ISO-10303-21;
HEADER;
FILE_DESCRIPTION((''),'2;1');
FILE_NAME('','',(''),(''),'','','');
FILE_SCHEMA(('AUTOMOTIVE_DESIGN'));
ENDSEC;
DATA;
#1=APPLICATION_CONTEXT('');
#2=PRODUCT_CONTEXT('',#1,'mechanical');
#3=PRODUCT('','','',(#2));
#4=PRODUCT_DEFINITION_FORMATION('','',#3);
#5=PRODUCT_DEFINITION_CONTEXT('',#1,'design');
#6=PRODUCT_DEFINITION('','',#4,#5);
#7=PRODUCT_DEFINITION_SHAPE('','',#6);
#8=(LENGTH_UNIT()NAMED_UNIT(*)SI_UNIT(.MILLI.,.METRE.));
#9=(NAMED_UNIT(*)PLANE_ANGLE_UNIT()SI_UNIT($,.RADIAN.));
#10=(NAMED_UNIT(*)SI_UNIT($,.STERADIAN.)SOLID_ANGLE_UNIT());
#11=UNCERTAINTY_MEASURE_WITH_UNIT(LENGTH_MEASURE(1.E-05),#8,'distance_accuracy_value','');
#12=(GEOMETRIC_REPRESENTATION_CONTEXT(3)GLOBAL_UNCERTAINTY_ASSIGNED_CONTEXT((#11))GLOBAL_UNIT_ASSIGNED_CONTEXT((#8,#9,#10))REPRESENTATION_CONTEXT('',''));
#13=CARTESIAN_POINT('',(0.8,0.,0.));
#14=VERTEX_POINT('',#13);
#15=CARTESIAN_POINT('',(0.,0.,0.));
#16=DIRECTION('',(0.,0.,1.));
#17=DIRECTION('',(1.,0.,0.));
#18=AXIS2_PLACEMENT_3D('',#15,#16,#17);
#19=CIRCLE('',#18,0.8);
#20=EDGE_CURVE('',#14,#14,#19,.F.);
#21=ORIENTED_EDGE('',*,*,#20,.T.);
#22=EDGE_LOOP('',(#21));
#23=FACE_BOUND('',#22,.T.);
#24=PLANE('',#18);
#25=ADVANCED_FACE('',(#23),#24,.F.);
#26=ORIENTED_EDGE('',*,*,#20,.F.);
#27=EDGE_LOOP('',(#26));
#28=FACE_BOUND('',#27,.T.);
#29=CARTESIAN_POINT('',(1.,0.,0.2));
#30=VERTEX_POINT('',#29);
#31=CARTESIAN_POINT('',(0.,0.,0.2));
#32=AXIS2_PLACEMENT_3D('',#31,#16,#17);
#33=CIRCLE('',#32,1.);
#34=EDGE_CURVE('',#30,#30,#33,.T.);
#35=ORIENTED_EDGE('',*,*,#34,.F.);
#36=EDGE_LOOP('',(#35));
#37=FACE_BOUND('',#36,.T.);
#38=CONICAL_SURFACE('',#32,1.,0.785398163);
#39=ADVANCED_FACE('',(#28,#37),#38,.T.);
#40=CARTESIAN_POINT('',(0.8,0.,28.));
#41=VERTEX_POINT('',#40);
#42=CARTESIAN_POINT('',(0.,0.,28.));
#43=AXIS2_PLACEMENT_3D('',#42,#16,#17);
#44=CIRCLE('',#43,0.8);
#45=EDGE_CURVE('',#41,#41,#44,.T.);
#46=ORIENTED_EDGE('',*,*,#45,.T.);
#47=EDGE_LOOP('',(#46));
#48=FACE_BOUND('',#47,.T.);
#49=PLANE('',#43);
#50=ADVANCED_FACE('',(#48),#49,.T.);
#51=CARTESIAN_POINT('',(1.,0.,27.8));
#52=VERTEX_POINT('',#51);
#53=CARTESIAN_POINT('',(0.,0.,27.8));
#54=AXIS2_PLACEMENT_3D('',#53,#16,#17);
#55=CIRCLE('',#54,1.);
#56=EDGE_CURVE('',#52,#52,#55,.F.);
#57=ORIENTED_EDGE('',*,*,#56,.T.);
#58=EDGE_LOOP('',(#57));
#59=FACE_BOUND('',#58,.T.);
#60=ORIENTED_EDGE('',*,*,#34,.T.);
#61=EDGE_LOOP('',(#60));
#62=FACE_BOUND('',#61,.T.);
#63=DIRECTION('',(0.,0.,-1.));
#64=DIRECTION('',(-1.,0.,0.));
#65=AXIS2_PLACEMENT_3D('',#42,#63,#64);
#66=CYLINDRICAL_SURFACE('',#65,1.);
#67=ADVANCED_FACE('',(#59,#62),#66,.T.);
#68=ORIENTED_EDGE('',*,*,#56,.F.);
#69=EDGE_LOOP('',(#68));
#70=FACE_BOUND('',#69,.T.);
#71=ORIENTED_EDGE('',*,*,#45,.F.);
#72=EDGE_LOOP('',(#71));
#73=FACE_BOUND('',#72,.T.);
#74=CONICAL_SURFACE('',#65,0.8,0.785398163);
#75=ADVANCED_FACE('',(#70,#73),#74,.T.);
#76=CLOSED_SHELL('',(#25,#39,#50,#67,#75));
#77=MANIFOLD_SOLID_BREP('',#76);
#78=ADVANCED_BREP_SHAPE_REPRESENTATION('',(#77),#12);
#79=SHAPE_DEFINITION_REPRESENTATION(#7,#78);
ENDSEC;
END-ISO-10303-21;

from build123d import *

# Parameters (mm, degrees)
ESQUISSE1_R      = 1
EXTRUSION1_DEPTH = 28
CHANFREIN1_SIZE  = 0.2


with BuildPart() as part:
    # Esquisse1 → Extrusion1 (new body)
    with BuildSketch(Plane.XY):
        Circle(ESQUISSE1_R)
    extrude(amount=EXTRUSION1_DEPTH)

    # Chanfrein1
    chanfrein1_edges = [part.edges().sort_by_distance(p)[0] for p in [
        (-1, 0, 0),
        (-1, 0, 28),
    ]]
    chamfer(chanfrein1_edges, length=CHANFREIN1_SIZE)


solid = part.part
